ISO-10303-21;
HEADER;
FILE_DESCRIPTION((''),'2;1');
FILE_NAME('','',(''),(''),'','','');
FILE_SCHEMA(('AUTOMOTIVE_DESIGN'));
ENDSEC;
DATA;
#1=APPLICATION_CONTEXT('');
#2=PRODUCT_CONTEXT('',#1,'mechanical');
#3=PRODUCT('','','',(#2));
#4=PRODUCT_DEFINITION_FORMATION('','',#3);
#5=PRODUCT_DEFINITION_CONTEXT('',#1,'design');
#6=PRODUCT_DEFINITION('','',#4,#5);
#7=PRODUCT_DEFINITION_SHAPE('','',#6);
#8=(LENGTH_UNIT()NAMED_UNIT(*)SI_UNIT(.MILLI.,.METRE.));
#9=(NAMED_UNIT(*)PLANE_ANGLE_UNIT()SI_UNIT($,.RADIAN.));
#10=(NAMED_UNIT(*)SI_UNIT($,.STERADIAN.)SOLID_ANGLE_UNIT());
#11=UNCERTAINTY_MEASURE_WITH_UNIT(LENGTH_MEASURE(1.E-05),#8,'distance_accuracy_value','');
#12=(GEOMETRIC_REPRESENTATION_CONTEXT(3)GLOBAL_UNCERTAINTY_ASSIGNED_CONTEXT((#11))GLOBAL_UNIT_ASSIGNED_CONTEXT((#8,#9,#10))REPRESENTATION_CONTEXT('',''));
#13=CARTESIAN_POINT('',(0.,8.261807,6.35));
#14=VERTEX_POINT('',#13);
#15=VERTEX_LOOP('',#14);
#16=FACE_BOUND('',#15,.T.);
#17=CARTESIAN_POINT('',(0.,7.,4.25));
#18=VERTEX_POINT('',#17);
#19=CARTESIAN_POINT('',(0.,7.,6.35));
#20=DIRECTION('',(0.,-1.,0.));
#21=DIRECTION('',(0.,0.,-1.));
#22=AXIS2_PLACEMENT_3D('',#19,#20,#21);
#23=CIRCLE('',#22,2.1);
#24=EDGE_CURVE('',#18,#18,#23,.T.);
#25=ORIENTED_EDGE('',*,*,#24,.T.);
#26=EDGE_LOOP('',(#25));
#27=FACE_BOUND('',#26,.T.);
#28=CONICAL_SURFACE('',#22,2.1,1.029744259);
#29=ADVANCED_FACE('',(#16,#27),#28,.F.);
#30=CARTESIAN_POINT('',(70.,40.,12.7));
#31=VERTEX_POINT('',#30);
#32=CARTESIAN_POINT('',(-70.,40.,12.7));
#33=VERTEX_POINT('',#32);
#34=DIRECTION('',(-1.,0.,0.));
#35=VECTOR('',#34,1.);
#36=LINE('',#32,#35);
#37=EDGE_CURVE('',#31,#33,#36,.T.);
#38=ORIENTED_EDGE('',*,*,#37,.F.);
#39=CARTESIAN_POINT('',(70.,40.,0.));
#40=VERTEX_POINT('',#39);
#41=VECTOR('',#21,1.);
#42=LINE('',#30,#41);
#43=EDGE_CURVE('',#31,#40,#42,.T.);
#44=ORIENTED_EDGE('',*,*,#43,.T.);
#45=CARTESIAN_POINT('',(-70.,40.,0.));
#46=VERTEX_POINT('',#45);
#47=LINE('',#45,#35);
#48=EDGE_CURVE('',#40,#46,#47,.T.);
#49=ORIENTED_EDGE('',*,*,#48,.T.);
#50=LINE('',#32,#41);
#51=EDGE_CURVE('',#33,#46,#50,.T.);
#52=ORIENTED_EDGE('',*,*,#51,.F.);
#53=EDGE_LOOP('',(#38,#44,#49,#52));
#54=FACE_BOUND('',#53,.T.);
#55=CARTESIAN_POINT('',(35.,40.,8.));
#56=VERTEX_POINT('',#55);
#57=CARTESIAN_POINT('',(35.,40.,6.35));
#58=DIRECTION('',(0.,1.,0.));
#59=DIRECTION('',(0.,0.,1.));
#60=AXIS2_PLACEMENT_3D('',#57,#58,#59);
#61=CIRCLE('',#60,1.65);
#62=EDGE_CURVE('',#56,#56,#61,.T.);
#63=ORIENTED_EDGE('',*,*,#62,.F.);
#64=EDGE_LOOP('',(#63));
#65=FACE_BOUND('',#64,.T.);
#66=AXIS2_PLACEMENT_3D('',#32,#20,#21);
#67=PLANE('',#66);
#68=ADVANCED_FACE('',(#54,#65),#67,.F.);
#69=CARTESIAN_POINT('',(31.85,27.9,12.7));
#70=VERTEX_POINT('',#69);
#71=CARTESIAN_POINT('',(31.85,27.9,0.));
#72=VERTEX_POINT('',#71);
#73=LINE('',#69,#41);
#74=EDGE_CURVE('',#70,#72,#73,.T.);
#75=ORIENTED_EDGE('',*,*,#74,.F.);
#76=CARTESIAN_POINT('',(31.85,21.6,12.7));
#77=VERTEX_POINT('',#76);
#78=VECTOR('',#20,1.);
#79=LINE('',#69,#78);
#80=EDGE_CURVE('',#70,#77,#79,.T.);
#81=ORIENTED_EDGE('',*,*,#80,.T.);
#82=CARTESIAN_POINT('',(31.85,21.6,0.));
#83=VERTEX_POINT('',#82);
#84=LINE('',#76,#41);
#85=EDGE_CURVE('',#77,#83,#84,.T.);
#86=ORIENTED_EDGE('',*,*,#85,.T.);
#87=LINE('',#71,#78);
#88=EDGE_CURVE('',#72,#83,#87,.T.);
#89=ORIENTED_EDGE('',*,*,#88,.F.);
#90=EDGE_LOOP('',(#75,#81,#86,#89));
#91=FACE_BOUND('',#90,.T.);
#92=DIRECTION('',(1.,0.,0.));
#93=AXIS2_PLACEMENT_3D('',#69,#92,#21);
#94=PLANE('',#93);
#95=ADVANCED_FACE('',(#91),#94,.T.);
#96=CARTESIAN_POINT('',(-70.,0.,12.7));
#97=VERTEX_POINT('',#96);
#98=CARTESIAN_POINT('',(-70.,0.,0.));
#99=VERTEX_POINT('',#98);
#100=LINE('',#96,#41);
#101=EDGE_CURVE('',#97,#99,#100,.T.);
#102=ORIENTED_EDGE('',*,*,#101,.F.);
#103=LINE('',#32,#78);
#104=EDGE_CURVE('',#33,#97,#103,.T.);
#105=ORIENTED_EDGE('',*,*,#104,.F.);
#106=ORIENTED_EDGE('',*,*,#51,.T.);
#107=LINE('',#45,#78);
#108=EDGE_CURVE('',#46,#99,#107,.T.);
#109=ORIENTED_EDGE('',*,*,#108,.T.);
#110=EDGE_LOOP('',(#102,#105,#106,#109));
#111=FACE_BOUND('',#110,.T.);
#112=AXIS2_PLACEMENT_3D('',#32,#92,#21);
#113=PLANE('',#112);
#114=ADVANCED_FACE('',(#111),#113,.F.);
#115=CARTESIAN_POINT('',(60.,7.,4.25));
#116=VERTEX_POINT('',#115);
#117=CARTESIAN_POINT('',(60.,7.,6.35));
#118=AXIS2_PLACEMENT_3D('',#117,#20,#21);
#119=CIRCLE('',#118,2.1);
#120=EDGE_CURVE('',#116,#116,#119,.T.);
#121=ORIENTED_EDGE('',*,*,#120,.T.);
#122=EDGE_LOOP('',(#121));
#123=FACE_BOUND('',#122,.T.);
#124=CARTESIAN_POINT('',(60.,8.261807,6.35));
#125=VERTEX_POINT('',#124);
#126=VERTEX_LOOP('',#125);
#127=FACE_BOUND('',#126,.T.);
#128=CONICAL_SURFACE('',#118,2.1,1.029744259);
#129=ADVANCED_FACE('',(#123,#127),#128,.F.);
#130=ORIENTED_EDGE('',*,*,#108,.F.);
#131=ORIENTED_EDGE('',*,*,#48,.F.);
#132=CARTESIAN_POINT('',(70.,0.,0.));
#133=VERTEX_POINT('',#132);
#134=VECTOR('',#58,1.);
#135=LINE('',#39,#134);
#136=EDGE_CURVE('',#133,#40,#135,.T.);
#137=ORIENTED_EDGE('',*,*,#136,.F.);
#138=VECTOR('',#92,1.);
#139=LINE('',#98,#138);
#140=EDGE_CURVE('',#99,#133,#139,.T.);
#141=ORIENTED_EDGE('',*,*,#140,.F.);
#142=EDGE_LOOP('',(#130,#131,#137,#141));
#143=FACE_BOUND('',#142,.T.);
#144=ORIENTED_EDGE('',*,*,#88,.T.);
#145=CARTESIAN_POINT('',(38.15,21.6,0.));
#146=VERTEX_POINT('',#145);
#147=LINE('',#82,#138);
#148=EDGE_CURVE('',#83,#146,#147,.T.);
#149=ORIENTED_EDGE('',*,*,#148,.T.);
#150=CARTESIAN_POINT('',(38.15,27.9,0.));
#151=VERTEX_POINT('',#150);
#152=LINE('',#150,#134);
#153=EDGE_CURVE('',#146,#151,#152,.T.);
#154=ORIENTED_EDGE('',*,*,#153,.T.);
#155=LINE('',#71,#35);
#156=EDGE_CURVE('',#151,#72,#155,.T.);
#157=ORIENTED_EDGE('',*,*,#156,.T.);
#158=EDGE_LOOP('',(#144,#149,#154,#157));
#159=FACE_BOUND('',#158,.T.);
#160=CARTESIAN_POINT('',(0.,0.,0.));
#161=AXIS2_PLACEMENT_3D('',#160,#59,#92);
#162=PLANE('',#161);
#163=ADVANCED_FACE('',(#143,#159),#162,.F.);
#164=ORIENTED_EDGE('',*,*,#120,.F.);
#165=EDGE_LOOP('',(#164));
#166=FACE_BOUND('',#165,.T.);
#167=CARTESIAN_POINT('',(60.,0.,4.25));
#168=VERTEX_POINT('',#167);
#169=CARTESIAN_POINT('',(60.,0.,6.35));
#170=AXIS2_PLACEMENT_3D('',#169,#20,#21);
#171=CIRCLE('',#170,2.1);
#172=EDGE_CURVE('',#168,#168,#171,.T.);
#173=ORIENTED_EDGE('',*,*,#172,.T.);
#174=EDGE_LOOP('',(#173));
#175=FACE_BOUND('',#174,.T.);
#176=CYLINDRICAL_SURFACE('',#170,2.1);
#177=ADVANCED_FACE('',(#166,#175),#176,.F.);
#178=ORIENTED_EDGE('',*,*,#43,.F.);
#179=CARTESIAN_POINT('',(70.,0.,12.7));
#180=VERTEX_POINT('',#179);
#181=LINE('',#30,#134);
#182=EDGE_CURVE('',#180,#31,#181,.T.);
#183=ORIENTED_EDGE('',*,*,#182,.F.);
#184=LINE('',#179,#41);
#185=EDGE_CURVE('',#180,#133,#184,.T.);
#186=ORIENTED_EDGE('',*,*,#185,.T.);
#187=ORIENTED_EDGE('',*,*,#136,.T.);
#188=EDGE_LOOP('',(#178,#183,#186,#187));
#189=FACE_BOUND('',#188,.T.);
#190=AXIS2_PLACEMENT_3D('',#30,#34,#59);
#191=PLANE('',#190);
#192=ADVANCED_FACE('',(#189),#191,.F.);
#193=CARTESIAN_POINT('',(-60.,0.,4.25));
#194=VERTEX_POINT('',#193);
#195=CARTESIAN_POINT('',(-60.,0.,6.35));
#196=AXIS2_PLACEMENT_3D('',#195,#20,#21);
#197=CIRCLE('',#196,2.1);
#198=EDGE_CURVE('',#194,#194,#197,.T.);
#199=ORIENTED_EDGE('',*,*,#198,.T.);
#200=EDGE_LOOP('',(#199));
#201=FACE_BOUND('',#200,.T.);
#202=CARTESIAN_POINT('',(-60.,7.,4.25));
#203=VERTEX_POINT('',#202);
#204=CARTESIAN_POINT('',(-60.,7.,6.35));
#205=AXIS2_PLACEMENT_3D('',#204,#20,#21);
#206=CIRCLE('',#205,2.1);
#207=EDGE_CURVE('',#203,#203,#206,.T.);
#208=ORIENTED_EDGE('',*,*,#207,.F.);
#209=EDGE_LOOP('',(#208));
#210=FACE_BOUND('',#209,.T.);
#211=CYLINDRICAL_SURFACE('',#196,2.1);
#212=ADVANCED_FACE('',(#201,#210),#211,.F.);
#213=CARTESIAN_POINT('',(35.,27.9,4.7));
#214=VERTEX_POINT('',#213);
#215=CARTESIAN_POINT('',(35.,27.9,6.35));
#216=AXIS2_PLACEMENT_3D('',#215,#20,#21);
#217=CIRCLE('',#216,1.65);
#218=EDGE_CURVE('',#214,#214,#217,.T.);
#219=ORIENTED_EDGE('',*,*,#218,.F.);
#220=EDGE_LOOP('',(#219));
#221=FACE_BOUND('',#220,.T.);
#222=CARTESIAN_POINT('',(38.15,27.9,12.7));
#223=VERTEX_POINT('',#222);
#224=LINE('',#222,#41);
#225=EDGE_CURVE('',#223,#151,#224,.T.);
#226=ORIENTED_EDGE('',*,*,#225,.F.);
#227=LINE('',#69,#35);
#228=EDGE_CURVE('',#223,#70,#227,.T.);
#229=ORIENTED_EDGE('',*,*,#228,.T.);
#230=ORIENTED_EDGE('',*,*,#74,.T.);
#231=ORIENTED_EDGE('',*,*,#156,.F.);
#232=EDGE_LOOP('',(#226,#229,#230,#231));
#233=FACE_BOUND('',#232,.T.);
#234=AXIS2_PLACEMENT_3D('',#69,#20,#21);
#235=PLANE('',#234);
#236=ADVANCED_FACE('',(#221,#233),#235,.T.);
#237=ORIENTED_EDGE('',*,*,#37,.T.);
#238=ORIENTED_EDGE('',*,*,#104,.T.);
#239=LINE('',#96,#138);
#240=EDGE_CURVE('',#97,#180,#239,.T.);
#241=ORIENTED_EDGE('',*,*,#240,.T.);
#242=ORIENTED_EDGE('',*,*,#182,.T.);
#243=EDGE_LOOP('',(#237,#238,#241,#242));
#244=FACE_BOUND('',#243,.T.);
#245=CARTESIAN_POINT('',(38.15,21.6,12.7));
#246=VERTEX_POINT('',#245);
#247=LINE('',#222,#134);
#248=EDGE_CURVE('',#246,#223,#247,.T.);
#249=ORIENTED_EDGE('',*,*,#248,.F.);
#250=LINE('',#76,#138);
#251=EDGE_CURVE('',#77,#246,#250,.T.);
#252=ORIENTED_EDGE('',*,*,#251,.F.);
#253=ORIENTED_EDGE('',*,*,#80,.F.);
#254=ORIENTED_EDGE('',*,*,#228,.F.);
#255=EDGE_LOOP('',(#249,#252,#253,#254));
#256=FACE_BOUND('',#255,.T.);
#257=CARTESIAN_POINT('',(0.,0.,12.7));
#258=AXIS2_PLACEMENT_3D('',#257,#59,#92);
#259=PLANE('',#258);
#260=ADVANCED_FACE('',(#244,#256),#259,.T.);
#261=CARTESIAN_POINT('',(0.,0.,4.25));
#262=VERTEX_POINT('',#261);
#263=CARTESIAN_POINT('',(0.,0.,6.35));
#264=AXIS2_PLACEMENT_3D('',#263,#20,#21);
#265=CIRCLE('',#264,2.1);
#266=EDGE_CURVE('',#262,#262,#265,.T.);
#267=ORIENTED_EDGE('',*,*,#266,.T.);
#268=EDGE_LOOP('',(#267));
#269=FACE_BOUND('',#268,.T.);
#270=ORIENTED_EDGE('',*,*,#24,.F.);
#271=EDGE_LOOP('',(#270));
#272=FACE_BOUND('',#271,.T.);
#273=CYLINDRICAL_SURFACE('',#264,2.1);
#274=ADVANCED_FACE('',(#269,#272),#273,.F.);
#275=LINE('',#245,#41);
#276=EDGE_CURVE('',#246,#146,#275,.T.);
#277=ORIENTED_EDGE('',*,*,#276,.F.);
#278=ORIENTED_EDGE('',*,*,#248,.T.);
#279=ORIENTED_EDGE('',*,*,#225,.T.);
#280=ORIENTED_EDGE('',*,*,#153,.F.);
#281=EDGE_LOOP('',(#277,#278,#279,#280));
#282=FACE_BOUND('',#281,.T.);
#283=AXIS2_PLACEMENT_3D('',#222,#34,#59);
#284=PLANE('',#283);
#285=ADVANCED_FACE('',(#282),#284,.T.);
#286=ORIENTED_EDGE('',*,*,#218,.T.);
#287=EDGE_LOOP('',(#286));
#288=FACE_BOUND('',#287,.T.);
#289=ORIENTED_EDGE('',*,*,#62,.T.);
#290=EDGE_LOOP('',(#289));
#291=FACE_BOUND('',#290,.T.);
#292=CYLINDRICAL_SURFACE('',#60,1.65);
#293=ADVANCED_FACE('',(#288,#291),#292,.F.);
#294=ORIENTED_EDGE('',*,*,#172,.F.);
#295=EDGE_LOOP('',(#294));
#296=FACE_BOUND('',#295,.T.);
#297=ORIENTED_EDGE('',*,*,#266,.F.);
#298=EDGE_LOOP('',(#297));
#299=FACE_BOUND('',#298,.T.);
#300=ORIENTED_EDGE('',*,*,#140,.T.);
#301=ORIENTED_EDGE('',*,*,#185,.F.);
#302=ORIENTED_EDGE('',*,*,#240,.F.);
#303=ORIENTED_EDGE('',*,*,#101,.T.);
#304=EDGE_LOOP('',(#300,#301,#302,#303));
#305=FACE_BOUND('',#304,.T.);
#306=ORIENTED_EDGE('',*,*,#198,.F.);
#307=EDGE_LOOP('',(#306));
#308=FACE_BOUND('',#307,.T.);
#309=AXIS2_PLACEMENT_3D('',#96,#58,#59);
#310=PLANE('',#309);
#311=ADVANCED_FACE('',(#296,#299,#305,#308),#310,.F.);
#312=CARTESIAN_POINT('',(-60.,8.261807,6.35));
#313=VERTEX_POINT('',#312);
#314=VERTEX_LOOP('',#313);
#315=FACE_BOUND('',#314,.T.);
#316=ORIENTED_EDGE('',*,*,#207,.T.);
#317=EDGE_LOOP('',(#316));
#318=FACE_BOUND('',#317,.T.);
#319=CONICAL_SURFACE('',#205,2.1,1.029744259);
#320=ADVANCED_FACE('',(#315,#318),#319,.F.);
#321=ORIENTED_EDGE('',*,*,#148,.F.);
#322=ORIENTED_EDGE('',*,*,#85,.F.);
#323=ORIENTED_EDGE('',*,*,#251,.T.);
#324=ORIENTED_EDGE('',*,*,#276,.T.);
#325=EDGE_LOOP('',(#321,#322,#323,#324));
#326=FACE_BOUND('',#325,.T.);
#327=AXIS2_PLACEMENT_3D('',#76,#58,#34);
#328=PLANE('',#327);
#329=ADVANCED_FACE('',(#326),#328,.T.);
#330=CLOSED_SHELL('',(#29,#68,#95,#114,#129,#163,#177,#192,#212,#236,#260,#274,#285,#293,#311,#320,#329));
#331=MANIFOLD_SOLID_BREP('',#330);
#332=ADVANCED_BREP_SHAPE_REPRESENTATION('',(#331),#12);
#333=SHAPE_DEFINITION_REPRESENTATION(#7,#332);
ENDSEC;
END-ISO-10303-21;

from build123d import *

# Parameters (mm, degrees)
SKETCH1_W                       = 140
SKETCH1_H                       = 40
SKETCH1_W_2                     = 6.3
SKETCH1_H_2                     = 6.3
BOSS_EXTRUDE1_DEPTH             = 12.7
TAP_DRILL_FOR_M4X0_7_TAP1_D     = 3.3
TAP_DRILL_FOR_M4X0_7_TAP1_DEPTH = 12.1
TAP_DRILL_FOR_M5X0_8_TAP2_D     = 4.2
TAP_DRILL_FOR_M5X0_8_TAP2_DEPTH = 7
TAP_DRILL_FOR_M5X0_8_TAP2_TIP   = 1.2618073


with BuildPart() as part:
    # Sketch1 → Boss-Extrude1 (new body)
    with BuildSketch(Plane.XY):
        with Locations((0, 20)):
            Rectangle(SKETCH1_W, SKETCH1_H)
        with Locations((35, 24.75)):
            Rectangle(SKETCH1_W_2, SKETCH1_H_2, mode=Mode.SUBTRACT)
    extrude(amount=BOSS_EXTRUDE1_DEPTH)

    # Tap Drill for M4x0.7 Tap1
    with Locations(Plane(origin=(35, 40, 6.35), x_dir=(0, 0, 1), z_dir=(0, 1, 0))):
        with Locations((0, 0)):
            Hole(TAP_DRILL_FOR_M4X0_7_TAP1_D / 2, depth=TAP_DRILL_FOR_M4X0_7_TAP1_DEPTH)

    # Tap Drill for M5x0.8 Tap2
    with Locations(Plane(origin=(-60, 0, 6.35), x_dir=(0, 0, -1), z_dir=(0, -1, 0))):
        with Locations((0, 0), (0, 60), (0, 120)):
            Hole(TAP_DRILL_FOR_M5X0_8_TAP2_D / 2, depth=TAP_DRILL_FOR_M5X0_8_TAP2_DEPTH)
            with Locations((0, 0, -(TAP_DRILL_FOR_M5X0_8_TAP2_DEPTH + TAP_DRILL_FOR_M5X0_8_TAP2_TIP / 2))):  # 118° drill point
                Cone(0, TAP_DRILL_FOR_M5X0_8_TAP2_D / 2, TAP_DRILL_FOR_M5X0_8_TAP2_TIP, mode=Mode.SUBTRACT)


solid = part.part
